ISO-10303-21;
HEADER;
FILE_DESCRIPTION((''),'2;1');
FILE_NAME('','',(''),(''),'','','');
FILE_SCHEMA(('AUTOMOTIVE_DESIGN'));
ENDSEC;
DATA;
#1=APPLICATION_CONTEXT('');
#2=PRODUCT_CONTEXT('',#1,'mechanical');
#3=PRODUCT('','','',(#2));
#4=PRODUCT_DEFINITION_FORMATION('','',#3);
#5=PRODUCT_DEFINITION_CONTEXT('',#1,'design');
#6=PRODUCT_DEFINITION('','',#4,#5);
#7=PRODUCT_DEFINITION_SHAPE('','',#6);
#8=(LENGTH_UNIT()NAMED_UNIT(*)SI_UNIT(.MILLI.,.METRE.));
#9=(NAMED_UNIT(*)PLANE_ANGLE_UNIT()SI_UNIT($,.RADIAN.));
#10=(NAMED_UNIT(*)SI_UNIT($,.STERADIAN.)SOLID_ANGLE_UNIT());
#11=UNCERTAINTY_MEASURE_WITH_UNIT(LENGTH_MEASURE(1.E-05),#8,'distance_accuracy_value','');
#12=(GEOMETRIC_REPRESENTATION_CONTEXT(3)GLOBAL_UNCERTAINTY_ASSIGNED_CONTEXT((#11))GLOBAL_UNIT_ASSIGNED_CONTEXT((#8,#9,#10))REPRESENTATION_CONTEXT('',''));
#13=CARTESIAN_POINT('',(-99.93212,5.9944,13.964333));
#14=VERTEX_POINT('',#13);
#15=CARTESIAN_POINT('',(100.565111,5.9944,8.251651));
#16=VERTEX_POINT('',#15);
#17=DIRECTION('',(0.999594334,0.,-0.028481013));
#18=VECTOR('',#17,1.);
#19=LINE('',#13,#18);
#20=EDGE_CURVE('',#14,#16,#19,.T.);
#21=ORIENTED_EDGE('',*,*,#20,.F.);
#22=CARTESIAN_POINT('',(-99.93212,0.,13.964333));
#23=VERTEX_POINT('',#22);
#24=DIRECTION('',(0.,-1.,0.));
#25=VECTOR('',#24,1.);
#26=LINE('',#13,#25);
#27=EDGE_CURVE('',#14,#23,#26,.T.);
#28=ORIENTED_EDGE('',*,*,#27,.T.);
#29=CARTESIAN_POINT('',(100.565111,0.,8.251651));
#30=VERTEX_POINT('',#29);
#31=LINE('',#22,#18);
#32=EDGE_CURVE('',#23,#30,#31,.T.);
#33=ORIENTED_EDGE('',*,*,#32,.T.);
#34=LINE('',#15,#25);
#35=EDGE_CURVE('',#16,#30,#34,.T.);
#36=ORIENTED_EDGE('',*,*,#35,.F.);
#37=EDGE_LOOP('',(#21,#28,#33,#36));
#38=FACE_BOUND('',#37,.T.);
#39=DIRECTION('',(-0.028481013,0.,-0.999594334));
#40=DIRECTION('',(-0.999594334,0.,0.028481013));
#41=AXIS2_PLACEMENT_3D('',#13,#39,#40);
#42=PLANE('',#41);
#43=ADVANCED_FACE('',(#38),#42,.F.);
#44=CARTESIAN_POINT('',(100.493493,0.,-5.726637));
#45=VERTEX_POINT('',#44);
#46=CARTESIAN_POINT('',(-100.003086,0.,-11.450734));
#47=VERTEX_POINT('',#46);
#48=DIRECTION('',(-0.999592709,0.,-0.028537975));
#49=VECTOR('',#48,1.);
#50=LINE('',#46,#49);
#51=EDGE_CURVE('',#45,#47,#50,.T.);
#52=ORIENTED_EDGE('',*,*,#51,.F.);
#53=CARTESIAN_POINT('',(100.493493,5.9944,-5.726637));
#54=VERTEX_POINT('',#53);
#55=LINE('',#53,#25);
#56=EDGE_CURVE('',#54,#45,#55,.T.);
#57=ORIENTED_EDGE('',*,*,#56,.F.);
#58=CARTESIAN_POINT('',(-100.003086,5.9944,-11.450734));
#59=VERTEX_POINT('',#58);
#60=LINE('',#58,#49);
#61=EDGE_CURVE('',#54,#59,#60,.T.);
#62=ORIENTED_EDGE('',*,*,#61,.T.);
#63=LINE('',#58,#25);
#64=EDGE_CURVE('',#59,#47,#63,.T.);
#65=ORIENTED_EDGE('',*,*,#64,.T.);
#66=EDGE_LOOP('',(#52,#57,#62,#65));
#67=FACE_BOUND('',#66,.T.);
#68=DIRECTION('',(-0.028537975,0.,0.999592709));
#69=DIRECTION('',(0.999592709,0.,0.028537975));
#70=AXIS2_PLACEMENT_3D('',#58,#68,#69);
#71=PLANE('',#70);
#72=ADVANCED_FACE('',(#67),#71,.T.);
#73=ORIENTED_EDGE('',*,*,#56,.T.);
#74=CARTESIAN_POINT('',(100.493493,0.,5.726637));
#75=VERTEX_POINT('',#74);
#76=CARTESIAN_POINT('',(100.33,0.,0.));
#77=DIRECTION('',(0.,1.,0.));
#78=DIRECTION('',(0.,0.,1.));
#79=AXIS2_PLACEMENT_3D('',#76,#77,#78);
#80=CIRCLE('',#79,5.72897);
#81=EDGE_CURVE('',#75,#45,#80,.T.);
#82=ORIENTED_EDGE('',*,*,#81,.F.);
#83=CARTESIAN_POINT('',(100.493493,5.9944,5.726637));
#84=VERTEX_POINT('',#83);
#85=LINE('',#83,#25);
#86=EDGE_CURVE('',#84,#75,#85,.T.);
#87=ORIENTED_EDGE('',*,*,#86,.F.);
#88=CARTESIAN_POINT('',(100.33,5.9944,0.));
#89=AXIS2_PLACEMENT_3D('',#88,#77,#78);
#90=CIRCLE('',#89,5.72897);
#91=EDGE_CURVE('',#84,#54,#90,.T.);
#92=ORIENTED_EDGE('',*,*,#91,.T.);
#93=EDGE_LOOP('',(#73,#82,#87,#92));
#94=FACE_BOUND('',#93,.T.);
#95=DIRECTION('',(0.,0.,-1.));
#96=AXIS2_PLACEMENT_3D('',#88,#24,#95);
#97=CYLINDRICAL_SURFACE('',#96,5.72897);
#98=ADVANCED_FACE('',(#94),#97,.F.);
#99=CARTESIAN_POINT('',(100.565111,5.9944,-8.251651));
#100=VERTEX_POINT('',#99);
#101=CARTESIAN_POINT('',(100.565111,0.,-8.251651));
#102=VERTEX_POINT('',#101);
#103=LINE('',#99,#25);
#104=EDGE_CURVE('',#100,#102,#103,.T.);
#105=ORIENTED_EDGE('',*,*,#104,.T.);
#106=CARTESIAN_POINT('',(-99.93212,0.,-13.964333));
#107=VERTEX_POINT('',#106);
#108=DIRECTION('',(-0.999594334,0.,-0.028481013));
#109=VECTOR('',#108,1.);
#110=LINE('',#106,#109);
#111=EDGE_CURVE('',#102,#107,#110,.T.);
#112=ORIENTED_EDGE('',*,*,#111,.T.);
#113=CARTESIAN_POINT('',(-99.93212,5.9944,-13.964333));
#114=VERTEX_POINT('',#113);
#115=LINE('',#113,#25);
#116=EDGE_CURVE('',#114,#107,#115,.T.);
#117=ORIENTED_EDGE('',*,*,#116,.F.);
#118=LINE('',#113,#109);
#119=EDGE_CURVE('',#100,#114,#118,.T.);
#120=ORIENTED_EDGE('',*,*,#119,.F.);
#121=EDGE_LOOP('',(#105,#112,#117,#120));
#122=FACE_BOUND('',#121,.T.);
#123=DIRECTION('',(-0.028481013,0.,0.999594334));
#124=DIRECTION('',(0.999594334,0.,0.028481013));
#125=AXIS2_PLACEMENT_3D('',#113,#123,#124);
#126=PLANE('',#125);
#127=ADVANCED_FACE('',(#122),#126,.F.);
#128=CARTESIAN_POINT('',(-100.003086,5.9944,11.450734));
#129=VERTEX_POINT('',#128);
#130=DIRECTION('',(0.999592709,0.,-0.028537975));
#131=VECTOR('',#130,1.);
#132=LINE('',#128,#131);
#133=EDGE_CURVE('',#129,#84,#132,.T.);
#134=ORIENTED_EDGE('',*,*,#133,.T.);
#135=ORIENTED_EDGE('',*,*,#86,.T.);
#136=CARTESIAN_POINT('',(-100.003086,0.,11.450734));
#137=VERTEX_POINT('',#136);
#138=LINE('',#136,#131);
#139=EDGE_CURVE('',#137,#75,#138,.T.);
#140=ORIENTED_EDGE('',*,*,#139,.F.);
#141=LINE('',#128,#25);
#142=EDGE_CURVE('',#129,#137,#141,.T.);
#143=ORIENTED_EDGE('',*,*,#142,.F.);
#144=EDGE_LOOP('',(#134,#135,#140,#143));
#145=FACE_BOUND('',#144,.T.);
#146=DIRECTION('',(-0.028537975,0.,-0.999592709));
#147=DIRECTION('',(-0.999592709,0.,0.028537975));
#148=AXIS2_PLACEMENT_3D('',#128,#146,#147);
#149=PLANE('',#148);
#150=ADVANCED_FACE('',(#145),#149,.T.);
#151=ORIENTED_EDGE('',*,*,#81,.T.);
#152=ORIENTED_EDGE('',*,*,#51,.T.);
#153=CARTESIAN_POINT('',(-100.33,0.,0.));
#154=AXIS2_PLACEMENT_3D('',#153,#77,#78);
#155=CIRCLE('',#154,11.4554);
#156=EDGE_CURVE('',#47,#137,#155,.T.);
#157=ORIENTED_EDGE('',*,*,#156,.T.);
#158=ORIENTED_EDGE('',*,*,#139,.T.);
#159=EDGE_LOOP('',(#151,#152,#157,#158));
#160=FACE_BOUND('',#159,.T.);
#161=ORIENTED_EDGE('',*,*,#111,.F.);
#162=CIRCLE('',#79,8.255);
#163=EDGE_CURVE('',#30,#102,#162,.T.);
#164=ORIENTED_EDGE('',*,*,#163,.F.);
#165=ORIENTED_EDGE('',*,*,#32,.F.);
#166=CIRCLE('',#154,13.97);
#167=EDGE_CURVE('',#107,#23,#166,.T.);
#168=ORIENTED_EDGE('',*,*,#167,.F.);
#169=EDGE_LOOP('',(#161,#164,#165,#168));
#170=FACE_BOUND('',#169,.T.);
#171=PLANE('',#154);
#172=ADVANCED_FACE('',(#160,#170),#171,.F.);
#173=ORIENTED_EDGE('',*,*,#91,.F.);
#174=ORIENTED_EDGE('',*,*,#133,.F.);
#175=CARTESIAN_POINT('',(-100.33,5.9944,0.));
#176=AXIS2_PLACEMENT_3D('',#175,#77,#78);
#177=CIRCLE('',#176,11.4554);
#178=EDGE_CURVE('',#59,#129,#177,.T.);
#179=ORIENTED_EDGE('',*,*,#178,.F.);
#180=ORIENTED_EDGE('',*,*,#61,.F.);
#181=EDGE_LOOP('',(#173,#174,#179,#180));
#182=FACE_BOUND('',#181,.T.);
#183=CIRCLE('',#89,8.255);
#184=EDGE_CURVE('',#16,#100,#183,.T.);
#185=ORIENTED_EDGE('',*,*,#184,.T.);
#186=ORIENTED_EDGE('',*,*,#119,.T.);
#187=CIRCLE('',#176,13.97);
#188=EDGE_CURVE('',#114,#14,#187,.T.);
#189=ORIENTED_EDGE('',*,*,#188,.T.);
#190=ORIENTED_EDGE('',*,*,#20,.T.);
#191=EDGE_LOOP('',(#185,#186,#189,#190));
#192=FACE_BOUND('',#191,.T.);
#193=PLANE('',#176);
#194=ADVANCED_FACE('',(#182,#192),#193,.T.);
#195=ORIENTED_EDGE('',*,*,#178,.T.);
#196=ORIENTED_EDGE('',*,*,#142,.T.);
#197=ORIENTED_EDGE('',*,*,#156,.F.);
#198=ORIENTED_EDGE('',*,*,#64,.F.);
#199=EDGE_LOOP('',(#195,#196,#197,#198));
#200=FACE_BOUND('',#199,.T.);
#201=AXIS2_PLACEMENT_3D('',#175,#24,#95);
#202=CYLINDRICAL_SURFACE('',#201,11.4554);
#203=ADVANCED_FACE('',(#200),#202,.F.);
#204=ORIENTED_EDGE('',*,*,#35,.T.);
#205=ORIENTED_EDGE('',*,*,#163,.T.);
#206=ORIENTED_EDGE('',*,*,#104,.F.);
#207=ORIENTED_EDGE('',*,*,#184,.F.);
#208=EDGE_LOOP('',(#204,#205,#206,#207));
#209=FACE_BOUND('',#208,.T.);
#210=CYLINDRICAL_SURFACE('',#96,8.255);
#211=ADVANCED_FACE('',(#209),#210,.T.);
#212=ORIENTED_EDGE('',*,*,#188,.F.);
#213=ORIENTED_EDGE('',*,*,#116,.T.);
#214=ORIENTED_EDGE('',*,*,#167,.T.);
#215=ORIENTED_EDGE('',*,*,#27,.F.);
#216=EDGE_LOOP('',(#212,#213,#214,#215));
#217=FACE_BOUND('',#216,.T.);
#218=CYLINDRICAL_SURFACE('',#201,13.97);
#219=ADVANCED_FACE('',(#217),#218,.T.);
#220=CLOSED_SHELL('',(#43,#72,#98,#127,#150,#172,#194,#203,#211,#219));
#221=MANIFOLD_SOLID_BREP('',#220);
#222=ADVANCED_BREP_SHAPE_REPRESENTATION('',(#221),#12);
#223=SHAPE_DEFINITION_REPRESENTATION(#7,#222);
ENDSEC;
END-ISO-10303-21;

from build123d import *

# Parameters (mm, degrees)
BOSS_EXTRUDE1_DEPTH = 5.9944


with BuildPart() as part:
    # Sketch1 → Boss-Extrude1 (new body)
    with BuildSketch(Plane(origin=(0, 0, 0), x_dir=(1, 0, 0), z_dir=(0, 1, 0))):
        with BuildLine():
            Line((-99.932120253, 13.964332841), (100.565110759, 8.251651224))
            ThreePointArc((100.565110759, 8.251651224), (108.585, 0), (100.565110759, -8.251651224))
            Line((100.565110759, -8.251651224), (-99.932120253, -13.964332841))
            ThreePointArc((-99.932120253, -13.964332841), (-114.3, 0), (-99.932120253, 13.964332841))
        make_face()
        with BuildLine():
            Line((-100.003086085, 11.450734319), (100.493493201, 5.726636642))
            ThreePointArc((100.493493201, 5.726636642), (106.05897, 0), (100.493493201, -5.726636642))
            Line((100.493493201, -5.726636642), (-100.003086085, -11.450734319))
            ThreePointArc((-100.003086085, -11.450734319), (-111.7854, 0), (-100.003086085, 11.450734319))
        make_face(mode=Mode.SUBTRACT)
    extrude(amount=BOSS_EXTRUDE1_DEPTH)


solid = part.part
